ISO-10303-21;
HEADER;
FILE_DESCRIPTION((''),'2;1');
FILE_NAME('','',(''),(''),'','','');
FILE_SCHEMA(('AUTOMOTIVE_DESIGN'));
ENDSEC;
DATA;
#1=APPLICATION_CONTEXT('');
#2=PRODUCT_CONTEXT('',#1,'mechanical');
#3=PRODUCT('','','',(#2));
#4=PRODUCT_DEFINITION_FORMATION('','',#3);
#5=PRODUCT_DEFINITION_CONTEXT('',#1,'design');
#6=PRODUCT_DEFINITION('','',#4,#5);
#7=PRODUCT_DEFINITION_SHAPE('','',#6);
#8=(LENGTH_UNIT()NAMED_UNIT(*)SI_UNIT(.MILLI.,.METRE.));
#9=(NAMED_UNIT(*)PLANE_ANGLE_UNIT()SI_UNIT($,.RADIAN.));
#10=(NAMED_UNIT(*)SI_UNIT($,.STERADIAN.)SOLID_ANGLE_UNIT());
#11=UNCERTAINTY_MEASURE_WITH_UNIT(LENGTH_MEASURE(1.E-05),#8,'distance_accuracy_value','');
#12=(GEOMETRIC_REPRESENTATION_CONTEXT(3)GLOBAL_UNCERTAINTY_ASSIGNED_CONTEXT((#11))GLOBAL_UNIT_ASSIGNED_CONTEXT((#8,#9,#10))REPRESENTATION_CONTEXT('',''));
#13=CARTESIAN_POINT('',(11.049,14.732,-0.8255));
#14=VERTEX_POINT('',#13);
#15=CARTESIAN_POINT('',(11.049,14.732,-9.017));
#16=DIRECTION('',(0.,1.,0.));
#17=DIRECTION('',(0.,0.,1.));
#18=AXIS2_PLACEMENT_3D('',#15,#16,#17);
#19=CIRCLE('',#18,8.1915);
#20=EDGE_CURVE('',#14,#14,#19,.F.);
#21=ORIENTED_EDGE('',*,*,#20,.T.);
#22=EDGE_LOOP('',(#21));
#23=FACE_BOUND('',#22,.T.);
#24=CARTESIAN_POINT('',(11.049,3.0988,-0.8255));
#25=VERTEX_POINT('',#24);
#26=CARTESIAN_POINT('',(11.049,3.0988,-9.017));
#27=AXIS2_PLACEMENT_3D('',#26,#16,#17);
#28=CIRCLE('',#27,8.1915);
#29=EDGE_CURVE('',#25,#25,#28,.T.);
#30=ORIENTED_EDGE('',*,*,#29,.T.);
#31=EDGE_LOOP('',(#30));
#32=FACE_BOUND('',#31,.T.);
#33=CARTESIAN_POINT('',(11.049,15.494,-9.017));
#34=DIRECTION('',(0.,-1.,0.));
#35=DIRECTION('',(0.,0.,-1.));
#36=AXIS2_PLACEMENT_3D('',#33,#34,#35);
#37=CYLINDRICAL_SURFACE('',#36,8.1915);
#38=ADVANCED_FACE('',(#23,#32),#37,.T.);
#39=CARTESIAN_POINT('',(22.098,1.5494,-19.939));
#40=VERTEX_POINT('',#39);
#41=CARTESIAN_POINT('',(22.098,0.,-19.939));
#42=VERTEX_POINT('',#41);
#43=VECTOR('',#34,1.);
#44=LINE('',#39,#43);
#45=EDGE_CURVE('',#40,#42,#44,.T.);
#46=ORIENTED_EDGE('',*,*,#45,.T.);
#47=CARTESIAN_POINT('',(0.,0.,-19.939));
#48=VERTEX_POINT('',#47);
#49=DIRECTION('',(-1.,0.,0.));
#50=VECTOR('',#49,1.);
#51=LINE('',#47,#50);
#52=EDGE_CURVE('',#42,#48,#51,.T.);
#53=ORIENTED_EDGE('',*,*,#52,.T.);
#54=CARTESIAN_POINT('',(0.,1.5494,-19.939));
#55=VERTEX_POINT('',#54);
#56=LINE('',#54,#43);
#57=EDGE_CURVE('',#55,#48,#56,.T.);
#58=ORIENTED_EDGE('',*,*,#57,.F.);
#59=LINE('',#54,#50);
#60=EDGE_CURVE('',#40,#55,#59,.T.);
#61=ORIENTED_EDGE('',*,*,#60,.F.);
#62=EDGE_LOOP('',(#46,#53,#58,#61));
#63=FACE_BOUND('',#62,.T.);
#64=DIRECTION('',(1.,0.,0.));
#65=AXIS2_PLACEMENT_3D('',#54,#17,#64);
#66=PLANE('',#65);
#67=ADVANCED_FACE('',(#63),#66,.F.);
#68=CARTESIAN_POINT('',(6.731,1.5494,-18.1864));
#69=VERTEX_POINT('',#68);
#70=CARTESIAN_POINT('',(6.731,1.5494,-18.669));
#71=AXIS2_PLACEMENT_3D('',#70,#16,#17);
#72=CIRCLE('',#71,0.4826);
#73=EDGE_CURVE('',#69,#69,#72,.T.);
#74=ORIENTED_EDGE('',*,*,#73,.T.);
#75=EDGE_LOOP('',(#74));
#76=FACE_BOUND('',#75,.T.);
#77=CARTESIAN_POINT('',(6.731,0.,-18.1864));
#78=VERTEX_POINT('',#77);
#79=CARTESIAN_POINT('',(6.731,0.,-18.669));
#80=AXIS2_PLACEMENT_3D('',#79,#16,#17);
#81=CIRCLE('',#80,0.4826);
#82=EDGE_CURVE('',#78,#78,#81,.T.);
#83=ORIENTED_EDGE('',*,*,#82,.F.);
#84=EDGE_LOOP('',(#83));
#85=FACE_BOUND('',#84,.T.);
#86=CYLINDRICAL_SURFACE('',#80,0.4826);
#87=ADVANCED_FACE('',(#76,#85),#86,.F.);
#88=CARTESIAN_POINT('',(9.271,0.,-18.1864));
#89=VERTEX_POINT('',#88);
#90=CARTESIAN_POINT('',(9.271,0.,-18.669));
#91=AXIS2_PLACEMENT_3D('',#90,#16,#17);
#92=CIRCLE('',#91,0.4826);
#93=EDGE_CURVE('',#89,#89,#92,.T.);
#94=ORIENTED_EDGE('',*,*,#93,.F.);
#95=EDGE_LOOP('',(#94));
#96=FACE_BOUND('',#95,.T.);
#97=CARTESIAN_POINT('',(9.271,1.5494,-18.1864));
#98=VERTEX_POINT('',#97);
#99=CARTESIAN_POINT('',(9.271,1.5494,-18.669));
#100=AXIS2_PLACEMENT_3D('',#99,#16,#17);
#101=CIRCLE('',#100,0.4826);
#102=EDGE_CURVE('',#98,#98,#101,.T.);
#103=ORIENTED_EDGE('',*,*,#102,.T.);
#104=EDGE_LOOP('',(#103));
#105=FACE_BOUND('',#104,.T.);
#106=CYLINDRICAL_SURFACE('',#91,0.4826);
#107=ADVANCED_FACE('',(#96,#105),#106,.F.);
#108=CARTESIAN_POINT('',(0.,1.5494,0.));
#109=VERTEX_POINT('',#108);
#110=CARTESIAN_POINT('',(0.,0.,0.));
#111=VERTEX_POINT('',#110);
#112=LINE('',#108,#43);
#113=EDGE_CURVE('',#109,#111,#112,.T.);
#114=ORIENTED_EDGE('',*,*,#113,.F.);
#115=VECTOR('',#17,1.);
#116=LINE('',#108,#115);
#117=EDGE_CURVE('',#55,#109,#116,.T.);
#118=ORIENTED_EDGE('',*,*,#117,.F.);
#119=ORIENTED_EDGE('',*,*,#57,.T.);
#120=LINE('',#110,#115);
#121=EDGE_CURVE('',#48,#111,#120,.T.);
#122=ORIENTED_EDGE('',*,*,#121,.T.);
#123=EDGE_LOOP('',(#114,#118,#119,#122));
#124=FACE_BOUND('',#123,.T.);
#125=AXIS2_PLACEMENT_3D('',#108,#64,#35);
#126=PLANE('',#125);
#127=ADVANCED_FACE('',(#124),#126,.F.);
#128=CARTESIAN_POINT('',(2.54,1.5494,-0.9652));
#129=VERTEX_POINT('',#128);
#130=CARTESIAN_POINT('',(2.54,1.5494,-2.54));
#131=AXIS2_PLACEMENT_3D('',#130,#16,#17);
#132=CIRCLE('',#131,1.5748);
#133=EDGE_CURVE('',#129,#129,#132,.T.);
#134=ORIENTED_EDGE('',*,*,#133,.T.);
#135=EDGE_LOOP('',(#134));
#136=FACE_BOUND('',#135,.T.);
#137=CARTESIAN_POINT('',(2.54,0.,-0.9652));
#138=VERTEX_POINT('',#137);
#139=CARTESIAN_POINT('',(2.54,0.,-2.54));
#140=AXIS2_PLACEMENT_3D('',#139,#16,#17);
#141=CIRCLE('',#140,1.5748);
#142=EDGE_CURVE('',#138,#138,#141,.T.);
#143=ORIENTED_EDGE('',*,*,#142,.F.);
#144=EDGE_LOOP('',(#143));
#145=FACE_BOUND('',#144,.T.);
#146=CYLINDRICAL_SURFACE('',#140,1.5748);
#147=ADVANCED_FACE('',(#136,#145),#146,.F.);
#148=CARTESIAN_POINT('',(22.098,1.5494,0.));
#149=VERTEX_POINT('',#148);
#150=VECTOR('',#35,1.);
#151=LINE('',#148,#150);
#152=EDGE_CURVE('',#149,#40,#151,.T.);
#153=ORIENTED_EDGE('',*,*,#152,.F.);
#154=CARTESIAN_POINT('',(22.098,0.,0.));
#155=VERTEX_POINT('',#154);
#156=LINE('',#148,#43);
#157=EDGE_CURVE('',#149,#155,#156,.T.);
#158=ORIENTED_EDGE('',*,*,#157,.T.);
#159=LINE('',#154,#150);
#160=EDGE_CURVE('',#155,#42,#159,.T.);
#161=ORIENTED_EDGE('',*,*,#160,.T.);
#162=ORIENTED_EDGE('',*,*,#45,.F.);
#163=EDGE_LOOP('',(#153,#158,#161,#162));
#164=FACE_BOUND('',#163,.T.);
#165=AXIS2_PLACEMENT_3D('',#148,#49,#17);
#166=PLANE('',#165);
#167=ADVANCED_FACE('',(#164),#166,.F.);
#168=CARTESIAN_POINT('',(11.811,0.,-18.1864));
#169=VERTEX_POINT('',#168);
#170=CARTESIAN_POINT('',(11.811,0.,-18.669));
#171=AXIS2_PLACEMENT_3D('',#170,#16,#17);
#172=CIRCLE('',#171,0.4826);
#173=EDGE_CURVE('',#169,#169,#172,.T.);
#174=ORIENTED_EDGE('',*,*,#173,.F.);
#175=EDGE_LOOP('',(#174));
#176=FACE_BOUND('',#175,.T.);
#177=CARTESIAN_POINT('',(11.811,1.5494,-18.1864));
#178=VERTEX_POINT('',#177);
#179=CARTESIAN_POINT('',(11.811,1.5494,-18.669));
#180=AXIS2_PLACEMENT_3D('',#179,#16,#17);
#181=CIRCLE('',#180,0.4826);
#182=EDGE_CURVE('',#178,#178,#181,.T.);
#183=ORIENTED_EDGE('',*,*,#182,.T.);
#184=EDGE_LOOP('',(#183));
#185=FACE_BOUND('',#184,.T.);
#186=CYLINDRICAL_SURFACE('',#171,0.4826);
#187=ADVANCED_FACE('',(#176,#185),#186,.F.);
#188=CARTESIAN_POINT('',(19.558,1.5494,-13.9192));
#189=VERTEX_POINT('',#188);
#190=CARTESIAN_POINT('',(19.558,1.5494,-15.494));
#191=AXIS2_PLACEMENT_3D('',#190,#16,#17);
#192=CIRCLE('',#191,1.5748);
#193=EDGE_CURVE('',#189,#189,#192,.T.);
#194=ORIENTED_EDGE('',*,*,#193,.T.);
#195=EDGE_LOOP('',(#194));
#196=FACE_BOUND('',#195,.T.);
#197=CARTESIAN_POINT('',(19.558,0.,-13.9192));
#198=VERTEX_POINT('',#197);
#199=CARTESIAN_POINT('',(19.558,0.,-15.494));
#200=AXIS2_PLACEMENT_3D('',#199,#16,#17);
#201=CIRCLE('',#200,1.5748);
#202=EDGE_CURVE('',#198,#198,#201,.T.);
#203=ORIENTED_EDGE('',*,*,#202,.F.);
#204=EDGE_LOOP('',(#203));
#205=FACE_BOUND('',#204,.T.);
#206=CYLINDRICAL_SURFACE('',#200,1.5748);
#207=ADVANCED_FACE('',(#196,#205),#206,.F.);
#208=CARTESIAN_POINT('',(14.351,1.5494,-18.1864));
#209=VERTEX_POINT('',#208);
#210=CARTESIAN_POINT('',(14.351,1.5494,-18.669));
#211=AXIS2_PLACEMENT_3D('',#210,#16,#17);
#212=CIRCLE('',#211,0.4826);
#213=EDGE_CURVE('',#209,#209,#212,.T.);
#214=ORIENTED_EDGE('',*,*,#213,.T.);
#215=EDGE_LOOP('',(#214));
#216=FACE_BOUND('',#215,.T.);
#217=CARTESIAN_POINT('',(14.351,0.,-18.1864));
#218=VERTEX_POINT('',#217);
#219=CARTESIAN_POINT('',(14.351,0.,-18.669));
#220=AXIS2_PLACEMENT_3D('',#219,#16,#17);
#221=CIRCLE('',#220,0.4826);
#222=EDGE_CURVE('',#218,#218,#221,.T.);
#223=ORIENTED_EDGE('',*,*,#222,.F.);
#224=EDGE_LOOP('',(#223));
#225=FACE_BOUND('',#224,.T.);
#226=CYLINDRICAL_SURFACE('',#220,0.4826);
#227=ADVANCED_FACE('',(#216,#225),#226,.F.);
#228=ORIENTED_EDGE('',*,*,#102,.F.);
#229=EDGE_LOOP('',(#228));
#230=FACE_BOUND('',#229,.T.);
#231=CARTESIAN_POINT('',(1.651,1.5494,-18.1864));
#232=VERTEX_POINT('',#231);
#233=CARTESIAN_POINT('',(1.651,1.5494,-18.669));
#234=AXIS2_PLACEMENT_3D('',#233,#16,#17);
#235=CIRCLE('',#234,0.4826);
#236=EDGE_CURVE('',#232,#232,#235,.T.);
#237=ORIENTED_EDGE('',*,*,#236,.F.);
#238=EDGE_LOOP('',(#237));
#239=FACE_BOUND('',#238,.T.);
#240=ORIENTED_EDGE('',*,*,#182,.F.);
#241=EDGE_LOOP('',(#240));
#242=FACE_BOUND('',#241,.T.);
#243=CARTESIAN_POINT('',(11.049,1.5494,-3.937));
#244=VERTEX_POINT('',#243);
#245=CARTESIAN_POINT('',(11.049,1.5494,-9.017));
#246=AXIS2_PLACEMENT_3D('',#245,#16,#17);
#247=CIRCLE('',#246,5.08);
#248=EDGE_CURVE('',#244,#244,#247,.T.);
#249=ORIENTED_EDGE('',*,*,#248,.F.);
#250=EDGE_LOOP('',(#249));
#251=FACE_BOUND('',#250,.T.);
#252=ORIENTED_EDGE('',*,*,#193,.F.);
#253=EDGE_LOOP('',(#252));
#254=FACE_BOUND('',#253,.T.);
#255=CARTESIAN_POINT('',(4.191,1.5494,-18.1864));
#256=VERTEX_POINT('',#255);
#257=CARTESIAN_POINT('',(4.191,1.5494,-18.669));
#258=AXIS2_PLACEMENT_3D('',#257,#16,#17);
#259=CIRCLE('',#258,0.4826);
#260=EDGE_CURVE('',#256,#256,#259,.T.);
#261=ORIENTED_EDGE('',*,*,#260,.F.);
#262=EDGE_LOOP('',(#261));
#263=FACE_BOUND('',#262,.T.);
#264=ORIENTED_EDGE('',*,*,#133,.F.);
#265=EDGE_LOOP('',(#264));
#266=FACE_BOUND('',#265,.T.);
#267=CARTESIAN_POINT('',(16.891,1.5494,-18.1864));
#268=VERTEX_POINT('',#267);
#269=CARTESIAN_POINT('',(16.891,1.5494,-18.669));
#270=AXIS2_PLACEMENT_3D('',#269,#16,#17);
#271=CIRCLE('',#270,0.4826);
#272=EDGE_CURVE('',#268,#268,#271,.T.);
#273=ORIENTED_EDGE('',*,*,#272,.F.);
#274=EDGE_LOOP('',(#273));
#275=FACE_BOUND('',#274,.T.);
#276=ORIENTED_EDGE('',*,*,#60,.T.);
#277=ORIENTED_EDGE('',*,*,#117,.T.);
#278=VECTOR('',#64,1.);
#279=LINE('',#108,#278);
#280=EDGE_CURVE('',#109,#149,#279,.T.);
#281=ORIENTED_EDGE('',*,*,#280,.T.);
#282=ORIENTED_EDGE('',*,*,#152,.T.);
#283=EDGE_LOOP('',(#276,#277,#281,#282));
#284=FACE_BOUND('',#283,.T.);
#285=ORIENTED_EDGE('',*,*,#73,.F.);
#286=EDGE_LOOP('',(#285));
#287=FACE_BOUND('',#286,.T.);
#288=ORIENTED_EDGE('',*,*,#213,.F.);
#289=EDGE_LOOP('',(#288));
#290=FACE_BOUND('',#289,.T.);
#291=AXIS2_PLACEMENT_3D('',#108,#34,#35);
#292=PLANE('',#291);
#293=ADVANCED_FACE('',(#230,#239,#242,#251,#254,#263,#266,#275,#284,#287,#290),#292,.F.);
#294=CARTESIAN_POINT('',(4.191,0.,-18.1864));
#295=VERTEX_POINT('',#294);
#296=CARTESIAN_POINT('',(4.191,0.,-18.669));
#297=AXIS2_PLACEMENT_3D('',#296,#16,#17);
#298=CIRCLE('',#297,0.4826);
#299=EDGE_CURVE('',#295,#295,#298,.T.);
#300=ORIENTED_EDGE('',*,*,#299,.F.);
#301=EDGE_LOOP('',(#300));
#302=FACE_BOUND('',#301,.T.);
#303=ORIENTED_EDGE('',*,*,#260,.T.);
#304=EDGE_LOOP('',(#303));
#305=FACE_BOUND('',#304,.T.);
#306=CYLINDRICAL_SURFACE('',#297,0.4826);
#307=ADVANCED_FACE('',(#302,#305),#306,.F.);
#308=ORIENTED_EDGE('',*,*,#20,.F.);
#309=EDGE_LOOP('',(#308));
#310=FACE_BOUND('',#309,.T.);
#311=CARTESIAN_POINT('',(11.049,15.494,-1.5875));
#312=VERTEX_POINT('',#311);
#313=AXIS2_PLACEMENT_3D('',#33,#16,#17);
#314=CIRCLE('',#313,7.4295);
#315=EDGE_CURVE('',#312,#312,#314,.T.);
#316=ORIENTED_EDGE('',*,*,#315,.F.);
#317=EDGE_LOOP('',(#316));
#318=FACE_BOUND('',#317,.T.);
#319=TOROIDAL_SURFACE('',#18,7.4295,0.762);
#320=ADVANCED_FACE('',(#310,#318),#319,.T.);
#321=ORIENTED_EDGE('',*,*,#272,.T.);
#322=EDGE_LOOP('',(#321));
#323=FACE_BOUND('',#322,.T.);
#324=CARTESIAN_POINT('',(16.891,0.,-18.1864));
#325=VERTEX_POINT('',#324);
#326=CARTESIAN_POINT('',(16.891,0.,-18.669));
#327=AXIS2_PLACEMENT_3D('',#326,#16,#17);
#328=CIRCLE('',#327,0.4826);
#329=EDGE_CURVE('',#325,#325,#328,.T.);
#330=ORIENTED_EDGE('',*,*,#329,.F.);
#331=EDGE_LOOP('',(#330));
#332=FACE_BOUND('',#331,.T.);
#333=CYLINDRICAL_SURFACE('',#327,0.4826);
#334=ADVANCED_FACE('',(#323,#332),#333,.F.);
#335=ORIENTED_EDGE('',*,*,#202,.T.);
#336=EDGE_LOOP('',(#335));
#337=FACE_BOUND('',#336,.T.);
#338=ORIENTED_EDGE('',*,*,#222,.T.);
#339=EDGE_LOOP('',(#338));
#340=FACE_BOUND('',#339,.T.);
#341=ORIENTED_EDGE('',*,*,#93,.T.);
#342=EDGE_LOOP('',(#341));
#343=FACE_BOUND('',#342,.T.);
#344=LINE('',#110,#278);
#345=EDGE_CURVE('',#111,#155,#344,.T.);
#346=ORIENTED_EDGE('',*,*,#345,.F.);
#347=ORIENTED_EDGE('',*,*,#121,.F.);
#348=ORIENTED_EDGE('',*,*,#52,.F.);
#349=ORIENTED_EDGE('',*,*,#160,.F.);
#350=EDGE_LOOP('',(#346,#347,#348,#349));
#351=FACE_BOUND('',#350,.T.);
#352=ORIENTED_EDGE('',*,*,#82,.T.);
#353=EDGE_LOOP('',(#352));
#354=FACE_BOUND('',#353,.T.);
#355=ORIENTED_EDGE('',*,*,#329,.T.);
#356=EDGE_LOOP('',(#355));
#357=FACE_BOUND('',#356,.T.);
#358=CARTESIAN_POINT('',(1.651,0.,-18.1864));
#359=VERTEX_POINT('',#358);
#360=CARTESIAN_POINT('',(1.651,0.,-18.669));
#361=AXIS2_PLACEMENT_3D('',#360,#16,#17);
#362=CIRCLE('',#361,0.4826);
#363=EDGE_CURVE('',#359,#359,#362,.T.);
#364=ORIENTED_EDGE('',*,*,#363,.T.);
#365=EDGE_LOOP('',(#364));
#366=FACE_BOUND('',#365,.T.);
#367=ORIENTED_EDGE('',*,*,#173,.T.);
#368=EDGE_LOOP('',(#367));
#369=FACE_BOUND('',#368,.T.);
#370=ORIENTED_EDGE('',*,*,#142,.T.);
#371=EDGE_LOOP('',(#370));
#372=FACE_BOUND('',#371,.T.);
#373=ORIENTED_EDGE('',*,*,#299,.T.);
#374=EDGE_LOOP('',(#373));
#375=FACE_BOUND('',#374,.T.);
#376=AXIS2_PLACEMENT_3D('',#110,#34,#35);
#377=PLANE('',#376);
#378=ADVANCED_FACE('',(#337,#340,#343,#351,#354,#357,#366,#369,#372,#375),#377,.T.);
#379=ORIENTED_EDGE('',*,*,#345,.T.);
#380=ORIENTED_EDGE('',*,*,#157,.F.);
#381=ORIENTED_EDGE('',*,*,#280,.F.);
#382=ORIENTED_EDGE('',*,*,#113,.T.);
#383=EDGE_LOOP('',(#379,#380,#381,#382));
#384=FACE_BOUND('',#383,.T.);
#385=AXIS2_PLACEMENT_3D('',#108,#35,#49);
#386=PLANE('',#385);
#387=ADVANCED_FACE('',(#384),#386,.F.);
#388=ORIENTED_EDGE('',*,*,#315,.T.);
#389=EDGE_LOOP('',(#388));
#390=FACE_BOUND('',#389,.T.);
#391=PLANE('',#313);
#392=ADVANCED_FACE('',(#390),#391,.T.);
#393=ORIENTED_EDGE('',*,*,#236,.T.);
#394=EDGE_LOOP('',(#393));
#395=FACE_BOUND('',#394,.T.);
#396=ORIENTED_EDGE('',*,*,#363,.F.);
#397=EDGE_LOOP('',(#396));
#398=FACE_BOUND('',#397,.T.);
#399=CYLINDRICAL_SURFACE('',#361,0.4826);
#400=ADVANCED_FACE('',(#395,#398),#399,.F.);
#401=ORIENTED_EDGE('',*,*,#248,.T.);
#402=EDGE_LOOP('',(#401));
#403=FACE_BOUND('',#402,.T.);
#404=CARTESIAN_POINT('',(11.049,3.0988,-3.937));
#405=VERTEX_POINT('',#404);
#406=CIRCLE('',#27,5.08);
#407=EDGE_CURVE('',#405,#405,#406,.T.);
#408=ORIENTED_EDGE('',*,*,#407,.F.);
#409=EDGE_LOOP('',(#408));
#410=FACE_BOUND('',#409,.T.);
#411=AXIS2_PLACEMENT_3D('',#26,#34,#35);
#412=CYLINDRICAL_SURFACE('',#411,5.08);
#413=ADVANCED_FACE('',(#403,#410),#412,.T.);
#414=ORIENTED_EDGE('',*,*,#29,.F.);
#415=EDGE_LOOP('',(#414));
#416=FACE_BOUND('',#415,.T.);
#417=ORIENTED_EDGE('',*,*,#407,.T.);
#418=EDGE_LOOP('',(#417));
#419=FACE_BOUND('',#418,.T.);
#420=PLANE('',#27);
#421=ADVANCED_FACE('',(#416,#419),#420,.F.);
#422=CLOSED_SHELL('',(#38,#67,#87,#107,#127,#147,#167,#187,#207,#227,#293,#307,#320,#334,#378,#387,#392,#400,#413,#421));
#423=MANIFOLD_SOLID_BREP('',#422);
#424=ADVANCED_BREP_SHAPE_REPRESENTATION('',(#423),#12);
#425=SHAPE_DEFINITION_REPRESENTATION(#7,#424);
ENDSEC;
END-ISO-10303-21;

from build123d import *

# Parameters (mm, degrees)
SKETCH2_W           = 22.098
SKETCH2_H           = 19.939
BOSS_EXTRUDE1_DEPTH = 1.5494
BOSS_EXTRUDE3_DEPTH = 1.5494
SKETCH7_R           = 8.1915
BOSS_EXTRUDE4_DEPTH = 12.3952
SKETCH8_R           = 1.5748
SKETCH8_R_2         = 0.4826
CUT_EXTRUDE1_DEPTH  = 2.5494
FILLET1_R           = 0.762


with BuildPart() as part:
    # Sketch2 → Boss-Extrude1 (new body)
    with BuildSketch(Plane(origin=(0, 0, 0), x_dir=(1, 0, 0), z_dir=(0, 1, 0))):
        with Locations((11.049, 9.9695)):
            Rectangle(SKETCH2_W, SKETCH2_H)
    extrude(amount=BOSS_EXTRUDE1_DEPTH)

    # Sketch6 → Boss-Extrude3 (add)
    with BuildSketch(Plane(origin=(0, 1.5494, 0), x_dir=(1, 0, 0), z_dir=(0, 1, 0))):
        with BuildLine():
            ThreePointArc((16.129, 9.017), (14.641102448, 12.609102448), (11.049, 14.097))
            Line((11.049, 14.097), (11.049, 9.017))
            Line((11.049, 9.017), (11.049, 3.937))
            ThreePointArc((11.049, 3.937), (14.641102448, 5.424897552), (16.129, 9.017))
        make_face()
        with BuildLine():
            Line((11.049, 9.017), (11.049, 14.097))
            ThreePointArc((11.049, 14.097), (5.969, 9.017), (11.049, 3.937))
            Line((11.049, 3.937), (11.049, 9.017))
        make_face()
    extrude(amount=BOSS_EXTRUDE3_DEPTH)

    # Sketch7 → Boss-Extrude4 (add)
    with BuildSketch(Plane(origin=(0, 3.0988, 0), x_dir=(1, 0, 0), z_dir=(0, 1, 0))):
        with Locations((11.049, 9.017)):
            Circle(SKETCH7_R)
    extrude(amount=BOSS_EXTRUDE4_DEPTH)

    # Sketch8 → Cut-Extrude1 (cut, through all)
    with BuildSketch(Plane(origin=(0, 1.5494, 0), x_dir=(1, 0, 0), z_dir=(0, 1, 0))):
        with Locations((19.558, 15.494)):
            Circle(SKETCH8_R)
        with Locations((2.54, 2.54)):
            Circle(SKETCH8_R)
        with Locations((16.891, 18.669)):
            Circle(SKETCH8_R_2)
        with Locations((14.351, 18.669)):
            Circle(SKETCH8_R_2)
        with Locations((11.811, 18.669)):
            Circle(SKETCH8_R_2)
        with Locations((9.271, 18.669)):
            Circle(SKETCH8_R_2)
        with Locations((6.731, 18.669)):
            Circle(SKETCH8_R_2)
        with Locations((4.191, 18.669)):
            Circle(SKETCH8_R_2)
        with Locations((1.651, 18.669)):
            Circle(SKETCH8_R_2)
    extrude(amount=-CUT_EXTRUDE1_DEPTH, mode=Mode.SUBTRACT)

    # Fillet1
    fillet1_edges = [part.edges().sort_by_distance(p)[0] for p in [
        (2.8575, 15.494, -9.017),
    ]]
    fillet(fillet1_edges, radius=FILLET1_R)


solid = part.part
